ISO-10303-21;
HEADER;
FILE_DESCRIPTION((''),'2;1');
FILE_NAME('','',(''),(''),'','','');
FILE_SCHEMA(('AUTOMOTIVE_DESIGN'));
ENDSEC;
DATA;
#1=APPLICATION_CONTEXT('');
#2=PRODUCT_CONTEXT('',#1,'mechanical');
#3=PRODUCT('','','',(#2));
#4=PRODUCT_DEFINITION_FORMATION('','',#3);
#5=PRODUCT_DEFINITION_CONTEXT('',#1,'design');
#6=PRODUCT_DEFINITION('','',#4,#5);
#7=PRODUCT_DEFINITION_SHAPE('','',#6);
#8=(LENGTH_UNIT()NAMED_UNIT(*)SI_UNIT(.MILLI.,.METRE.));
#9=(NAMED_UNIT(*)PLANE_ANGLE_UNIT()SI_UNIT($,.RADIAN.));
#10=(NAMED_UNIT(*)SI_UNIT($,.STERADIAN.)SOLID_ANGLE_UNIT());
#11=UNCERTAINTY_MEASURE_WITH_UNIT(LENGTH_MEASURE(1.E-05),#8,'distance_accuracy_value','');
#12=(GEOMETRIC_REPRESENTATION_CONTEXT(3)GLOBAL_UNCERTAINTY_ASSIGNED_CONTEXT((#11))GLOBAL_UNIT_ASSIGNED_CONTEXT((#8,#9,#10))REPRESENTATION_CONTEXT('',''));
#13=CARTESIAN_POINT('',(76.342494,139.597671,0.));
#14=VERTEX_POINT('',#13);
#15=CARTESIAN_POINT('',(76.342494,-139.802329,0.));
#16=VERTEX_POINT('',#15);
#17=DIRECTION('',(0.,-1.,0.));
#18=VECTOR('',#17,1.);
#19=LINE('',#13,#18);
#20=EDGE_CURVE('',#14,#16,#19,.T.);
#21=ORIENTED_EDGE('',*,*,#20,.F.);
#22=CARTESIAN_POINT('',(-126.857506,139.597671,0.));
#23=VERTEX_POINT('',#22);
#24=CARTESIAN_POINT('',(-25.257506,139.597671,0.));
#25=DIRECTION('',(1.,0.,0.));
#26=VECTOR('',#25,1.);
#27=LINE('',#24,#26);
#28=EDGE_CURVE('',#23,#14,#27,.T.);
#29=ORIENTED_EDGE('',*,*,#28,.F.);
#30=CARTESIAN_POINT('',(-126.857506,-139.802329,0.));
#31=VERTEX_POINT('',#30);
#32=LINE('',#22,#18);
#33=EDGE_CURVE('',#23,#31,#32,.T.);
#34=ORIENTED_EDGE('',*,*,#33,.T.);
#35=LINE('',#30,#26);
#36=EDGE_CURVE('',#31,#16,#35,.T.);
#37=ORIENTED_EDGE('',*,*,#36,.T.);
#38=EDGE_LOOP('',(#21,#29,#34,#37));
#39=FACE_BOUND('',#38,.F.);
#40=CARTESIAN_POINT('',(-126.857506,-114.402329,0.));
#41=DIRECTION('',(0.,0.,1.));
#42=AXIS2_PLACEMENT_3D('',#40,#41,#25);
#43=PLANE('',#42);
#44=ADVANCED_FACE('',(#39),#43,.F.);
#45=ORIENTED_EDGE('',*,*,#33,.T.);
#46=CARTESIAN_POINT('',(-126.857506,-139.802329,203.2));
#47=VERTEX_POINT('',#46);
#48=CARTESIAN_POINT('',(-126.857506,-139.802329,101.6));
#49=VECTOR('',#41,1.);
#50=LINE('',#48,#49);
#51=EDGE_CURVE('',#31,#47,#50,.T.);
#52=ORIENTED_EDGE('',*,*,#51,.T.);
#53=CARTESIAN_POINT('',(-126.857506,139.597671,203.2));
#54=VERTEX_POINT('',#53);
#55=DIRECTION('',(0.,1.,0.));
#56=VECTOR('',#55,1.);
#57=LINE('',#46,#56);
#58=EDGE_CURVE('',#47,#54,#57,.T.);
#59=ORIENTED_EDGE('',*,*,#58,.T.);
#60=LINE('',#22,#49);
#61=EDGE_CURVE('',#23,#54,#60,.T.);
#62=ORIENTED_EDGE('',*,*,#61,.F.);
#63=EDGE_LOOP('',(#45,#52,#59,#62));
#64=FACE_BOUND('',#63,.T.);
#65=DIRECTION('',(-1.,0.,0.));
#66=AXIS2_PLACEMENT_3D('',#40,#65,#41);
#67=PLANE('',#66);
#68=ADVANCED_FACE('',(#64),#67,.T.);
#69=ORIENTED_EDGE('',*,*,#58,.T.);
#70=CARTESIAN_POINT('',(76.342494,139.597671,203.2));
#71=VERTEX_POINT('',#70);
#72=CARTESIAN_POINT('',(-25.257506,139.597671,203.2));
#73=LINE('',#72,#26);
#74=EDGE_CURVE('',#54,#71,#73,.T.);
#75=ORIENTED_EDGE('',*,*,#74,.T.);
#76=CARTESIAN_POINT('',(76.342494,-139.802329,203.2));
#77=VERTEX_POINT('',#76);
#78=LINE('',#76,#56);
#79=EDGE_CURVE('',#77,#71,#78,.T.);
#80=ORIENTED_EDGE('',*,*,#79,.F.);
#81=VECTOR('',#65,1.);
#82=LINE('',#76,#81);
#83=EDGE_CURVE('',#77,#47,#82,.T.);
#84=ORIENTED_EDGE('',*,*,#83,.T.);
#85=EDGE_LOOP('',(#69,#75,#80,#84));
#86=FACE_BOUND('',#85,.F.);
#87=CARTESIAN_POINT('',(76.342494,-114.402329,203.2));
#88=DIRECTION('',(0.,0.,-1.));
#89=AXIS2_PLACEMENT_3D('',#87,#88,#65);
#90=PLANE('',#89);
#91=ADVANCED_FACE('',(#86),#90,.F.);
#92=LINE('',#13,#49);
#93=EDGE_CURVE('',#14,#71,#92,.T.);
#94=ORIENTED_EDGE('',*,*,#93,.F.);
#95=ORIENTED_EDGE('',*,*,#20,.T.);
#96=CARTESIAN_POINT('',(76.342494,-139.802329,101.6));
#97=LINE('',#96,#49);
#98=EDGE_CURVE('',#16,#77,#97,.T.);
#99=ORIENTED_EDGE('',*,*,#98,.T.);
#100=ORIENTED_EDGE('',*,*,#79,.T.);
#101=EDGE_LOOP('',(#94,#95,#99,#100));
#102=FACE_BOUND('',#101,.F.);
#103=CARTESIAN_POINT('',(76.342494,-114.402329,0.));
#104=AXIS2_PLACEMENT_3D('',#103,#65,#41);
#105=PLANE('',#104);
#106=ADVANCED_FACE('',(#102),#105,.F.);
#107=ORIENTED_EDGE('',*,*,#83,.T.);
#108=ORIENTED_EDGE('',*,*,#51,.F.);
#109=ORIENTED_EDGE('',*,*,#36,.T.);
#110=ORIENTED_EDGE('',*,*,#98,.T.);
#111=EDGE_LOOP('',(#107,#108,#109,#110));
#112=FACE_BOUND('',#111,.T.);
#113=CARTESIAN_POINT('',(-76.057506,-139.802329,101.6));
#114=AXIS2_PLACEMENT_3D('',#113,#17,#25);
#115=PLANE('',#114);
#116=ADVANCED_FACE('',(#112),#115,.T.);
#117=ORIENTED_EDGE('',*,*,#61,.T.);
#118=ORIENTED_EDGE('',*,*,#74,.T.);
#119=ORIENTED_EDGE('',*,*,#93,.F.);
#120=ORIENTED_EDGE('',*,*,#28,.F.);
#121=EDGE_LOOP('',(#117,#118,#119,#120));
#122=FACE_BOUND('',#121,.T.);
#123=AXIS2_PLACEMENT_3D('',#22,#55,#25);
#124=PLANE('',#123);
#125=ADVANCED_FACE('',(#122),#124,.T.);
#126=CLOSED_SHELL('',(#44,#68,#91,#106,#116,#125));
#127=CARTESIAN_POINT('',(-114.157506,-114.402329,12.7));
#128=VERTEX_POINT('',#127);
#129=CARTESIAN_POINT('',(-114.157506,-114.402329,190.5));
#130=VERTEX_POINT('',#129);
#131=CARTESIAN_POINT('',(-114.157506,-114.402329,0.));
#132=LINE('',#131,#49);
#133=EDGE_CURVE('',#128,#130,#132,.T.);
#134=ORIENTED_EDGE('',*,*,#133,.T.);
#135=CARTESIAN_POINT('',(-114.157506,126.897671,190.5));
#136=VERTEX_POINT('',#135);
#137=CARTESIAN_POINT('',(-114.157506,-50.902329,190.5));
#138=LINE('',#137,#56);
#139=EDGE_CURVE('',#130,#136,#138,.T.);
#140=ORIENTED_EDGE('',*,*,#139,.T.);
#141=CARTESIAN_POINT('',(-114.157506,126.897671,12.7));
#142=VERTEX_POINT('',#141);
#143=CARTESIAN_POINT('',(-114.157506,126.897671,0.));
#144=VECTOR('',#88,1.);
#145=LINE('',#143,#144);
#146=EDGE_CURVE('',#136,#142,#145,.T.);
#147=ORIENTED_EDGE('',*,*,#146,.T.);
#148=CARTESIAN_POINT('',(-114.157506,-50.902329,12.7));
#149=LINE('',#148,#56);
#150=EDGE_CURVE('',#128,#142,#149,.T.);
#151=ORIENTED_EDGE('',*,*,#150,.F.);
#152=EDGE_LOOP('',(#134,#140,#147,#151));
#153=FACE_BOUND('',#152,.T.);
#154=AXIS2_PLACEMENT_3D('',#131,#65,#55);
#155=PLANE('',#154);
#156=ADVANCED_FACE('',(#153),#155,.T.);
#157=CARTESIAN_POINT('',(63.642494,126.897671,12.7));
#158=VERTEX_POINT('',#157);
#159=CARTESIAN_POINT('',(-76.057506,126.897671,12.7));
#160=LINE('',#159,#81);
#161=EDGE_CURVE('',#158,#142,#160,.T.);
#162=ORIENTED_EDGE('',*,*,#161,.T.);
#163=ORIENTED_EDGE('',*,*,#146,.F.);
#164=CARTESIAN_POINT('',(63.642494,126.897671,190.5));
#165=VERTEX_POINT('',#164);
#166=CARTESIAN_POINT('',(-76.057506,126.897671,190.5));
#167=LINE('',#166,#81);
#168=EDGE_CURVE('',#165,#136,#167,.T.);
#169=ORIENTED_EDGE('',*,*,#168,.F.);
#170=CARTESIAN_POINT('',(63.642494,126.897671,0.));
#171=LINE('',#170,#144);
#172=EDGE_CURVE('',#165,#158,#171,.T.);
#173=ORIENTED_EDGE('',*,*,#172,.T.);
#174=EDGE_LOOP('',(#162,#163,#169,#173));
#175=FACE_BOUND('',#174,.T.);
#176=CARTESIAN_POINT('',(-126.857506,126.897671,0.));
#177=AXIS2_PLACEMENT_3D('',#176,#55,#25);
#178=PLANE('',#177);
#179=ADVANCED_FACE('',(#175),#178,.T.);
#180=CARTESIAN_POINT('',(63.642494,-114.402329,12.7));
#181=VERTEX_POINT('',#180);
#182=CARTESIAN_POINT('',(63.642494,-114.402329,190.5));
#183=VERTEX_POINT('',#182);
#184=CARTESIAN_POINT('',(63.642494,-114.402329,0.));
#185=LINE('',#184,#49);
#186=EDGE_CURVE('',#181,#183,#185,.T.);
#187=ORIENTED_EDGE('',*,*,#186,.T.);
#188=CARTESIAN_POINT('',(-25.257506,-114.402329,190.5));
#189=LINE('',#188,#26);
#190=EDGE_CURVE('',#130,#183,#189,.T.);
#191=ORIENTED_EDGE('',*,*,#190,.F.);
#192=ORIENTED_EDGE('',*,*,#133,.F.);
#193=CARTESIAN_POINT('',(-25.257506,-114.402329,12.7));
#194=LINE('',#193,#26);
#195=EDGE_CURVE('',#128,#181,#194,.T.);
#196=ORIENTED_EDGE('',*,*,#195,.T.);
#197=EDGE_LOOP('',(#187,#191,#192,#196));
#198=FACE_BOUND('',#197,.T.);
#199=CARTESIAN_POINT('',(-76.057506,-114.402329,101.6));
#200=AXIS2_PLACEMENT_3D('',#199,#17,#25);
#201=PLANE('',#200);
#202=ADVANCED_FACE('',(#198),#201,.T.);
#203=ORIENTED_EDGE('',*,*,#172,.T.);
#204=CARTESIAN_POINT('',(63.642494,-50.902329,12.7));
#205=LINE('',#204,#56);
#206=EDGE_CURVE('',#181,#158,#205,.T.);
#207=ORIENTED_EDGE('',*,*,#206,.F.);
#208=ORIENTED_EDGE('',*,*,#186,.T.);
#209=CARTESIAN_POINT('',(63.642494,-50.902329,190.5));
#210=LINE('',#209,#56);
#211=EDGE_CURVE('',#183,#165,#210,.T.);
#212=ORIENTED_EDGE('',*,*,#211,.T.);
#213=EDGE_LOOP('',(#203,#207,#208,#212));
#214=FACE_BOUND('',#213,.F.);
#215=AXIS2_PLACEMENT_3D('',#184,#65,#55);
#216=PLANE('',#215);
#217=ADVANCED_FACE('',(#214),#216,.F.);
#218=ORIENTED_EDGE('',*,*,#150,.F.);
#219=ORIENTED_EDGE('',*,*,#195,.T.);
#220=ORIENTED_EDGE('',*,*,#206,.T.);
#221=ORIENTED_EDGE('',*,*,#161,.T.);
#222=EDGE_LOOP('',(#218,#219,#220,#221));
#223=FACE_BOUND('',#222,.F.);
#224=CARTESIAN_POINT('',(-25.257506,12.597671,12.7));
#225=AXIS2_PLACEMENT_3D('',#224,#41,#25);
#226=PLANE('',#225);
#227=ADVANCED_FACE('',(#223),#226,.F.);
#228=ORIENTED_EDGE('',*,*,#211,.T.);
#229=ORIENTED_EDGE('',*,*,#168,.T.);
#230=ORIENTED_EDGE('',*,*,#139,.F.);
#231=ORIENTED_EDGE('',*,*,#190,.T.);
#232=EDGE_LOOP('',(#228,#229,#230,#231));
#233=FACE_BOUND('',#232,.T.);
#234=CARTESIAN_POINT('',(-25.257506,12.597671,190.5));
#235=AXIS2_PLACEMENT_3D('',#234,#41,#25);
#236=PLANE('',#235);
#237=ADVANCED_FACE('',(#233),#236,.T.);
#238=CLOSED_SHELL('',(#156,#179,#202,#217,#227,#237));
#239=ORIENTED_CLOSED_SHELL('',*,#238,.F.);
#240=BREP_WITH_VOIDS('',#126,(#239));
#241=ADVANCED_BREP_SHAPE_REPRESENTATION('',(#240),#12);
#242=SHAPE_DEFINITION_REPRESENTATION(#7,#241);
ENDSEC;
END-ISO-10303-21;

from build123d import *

# Parameters (mm, degrees)
F0_W     = 203.2
F0_H     = 254
F1_DEPTH = 203.2
F2_T     = -12.7
F3_W     = 101.6
F3_H     = 203.2
F4_DEPTH = 25.4


with BuildPart() as f1:
    # F0 (on Top) → F1 (new body)
    with BuildSketch(Plane.XY):
        with Locations((-25.257506, 12.597671)):
            Rectangle(F0_W, F0_H)
    extrude(amount=F1_DEPTH)

    # F2
    f2_openings = [f1.faces().sort_by_distance(p)[0] for p in [
        (-25.257506, -114.402329, 101.6),
    ]]
    offset(amount=F2_T, openings=f2_openings)

    # F3 (on face) → F4 (join)
    with BuildSketch(Plane.XZ.offset(114.402329)):
        with Locations((-76.057506, 101.6)):
            Rectangle(F3_W, F3_H)
        with Locations((25.542494, 101.6)):
            Rectangle(F3_W, F3_H)
    extrude(amount=F4_DEPTH)


solid = f1.part
